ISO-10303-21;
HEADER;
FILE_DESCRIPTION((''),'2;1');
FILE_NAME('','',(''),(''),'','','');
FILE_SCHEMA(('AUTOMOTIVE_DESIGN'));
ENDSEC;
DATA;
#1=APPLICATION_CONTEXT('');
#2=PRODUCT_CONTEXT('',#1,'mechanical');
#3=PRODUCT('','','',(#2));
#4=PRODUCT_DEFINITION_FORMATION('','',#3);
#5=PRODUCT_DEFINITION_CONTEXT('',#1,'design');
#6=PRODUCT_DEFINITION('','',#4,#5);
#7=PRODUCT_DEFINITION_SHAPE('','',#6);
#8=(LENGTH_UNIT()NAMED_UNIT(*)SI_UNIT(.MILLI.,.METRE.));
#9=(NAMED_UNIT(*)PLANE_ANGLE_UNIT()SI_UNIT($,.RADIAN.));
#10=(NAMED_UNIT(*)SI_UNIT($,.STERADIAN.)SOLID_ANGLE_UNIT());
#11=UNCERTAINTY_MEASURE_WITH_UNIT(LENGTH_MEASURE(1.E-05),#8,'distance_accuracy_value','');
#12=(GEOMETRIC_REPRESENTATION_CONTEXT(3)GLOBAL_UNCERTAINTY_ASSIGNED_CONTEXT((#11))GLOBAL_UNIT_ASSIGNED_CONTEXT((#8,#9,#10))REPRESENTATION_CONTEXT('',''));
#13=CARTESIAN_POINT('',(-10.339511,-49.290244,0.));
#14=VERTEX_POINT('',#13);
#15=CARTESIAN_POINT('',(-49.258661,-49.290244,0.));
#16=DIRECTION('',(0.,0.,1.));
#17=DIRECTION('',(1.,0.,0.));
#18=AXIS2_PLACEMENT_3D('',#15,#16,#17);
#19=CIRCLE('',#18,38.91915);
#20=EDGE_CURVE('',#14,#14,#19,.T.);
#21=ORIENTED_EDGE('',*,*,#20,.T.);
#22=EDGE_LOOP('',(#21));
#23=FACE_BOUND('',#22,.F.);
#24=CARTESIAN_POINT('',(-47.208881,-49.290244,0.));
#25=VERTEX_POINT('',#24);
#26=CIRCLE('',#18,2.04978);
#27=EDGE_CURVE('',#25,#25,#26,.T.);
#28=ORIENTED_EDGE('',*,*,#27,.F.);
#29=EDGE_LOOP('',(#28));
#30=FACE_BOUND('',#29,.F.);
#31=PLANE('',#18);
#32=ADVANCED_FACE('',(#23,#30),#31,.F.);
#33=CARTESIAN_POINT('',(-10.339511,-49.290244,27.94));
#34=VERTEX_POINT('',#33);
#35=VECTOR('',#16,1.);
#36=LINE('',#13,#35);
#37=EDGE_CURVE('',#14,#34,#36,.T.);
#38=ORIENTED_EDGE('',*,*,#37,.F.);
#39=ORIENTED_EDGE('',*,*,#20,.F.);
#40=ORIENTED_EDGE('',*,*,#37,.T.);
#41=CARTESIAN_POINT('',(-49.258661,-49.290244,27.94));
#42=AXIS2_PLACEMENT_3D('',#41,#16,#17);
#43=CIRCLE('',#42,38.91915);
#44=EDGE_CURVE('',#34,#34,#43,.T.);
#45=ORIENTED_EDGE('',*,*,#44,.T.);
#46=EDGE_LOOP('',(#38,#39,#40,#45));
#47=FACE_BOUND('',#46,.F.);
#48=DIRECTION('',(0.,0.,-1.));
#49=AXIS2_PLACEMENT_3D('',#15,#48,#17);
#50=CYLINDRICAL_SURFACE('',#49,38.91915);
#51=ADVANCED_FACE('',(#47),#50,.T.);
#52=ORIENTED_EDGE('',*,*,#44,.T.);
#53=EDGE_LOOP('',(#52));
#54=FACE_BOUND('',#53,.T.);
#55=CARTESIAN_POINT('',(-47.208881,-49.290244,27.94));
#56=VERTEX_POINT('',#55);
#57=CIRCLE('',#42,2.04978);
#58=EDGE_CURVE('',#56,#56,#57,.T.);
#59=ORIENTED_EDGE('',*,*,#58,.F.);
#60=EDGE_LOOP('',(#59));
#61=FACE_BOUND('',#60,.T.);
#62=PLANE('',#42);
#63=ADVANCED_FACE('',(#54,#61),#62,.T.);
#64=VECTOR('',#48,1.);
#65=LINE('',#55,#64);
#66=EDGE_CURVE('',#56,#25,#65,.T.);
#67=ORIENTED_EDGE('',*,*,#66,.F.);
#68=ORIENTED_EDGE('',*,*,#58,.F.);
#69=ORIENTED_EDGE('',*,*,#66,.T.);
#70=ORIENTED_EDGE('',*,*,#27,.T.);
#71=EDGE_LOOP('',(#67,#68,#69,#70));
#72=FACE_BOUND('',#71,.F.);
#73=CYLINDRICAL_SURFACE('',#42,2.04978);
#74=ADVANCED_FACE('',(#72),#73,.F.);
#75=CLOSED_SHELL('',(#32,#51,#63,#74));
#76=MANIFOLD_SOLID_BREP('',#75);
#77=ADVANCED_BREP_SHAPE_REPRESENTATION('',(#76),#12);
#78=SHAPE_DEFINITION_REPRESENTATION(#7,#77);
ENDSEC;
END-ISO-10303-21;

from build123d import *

# Parameters (mm, degrees)
F0_R     = 38.91915
F1_DEPTH = 27.94
F2_R     = 2.04978
F3_DEPTH = 27.94


with BuildPart() as f1:
    # F0 (on Top) → F1 (new body)
    with BuildSketch(Plane.XY):
        with Locations((-49.258661, -49.290244)):
            Circle(F0_R)
    extrude(amount=F1_DEPTH)

    # F2 (on face) → F3 (cut, through all)
    with BuildSketch(Plane.XY.offset(27.94)):
        with Locations((-49.258661, -49.290244)):
            Circle(F2_R)
    extrude(amount=-F3_DEPTH, mode=Mode.SUBTRACT)


solid = f1.part
